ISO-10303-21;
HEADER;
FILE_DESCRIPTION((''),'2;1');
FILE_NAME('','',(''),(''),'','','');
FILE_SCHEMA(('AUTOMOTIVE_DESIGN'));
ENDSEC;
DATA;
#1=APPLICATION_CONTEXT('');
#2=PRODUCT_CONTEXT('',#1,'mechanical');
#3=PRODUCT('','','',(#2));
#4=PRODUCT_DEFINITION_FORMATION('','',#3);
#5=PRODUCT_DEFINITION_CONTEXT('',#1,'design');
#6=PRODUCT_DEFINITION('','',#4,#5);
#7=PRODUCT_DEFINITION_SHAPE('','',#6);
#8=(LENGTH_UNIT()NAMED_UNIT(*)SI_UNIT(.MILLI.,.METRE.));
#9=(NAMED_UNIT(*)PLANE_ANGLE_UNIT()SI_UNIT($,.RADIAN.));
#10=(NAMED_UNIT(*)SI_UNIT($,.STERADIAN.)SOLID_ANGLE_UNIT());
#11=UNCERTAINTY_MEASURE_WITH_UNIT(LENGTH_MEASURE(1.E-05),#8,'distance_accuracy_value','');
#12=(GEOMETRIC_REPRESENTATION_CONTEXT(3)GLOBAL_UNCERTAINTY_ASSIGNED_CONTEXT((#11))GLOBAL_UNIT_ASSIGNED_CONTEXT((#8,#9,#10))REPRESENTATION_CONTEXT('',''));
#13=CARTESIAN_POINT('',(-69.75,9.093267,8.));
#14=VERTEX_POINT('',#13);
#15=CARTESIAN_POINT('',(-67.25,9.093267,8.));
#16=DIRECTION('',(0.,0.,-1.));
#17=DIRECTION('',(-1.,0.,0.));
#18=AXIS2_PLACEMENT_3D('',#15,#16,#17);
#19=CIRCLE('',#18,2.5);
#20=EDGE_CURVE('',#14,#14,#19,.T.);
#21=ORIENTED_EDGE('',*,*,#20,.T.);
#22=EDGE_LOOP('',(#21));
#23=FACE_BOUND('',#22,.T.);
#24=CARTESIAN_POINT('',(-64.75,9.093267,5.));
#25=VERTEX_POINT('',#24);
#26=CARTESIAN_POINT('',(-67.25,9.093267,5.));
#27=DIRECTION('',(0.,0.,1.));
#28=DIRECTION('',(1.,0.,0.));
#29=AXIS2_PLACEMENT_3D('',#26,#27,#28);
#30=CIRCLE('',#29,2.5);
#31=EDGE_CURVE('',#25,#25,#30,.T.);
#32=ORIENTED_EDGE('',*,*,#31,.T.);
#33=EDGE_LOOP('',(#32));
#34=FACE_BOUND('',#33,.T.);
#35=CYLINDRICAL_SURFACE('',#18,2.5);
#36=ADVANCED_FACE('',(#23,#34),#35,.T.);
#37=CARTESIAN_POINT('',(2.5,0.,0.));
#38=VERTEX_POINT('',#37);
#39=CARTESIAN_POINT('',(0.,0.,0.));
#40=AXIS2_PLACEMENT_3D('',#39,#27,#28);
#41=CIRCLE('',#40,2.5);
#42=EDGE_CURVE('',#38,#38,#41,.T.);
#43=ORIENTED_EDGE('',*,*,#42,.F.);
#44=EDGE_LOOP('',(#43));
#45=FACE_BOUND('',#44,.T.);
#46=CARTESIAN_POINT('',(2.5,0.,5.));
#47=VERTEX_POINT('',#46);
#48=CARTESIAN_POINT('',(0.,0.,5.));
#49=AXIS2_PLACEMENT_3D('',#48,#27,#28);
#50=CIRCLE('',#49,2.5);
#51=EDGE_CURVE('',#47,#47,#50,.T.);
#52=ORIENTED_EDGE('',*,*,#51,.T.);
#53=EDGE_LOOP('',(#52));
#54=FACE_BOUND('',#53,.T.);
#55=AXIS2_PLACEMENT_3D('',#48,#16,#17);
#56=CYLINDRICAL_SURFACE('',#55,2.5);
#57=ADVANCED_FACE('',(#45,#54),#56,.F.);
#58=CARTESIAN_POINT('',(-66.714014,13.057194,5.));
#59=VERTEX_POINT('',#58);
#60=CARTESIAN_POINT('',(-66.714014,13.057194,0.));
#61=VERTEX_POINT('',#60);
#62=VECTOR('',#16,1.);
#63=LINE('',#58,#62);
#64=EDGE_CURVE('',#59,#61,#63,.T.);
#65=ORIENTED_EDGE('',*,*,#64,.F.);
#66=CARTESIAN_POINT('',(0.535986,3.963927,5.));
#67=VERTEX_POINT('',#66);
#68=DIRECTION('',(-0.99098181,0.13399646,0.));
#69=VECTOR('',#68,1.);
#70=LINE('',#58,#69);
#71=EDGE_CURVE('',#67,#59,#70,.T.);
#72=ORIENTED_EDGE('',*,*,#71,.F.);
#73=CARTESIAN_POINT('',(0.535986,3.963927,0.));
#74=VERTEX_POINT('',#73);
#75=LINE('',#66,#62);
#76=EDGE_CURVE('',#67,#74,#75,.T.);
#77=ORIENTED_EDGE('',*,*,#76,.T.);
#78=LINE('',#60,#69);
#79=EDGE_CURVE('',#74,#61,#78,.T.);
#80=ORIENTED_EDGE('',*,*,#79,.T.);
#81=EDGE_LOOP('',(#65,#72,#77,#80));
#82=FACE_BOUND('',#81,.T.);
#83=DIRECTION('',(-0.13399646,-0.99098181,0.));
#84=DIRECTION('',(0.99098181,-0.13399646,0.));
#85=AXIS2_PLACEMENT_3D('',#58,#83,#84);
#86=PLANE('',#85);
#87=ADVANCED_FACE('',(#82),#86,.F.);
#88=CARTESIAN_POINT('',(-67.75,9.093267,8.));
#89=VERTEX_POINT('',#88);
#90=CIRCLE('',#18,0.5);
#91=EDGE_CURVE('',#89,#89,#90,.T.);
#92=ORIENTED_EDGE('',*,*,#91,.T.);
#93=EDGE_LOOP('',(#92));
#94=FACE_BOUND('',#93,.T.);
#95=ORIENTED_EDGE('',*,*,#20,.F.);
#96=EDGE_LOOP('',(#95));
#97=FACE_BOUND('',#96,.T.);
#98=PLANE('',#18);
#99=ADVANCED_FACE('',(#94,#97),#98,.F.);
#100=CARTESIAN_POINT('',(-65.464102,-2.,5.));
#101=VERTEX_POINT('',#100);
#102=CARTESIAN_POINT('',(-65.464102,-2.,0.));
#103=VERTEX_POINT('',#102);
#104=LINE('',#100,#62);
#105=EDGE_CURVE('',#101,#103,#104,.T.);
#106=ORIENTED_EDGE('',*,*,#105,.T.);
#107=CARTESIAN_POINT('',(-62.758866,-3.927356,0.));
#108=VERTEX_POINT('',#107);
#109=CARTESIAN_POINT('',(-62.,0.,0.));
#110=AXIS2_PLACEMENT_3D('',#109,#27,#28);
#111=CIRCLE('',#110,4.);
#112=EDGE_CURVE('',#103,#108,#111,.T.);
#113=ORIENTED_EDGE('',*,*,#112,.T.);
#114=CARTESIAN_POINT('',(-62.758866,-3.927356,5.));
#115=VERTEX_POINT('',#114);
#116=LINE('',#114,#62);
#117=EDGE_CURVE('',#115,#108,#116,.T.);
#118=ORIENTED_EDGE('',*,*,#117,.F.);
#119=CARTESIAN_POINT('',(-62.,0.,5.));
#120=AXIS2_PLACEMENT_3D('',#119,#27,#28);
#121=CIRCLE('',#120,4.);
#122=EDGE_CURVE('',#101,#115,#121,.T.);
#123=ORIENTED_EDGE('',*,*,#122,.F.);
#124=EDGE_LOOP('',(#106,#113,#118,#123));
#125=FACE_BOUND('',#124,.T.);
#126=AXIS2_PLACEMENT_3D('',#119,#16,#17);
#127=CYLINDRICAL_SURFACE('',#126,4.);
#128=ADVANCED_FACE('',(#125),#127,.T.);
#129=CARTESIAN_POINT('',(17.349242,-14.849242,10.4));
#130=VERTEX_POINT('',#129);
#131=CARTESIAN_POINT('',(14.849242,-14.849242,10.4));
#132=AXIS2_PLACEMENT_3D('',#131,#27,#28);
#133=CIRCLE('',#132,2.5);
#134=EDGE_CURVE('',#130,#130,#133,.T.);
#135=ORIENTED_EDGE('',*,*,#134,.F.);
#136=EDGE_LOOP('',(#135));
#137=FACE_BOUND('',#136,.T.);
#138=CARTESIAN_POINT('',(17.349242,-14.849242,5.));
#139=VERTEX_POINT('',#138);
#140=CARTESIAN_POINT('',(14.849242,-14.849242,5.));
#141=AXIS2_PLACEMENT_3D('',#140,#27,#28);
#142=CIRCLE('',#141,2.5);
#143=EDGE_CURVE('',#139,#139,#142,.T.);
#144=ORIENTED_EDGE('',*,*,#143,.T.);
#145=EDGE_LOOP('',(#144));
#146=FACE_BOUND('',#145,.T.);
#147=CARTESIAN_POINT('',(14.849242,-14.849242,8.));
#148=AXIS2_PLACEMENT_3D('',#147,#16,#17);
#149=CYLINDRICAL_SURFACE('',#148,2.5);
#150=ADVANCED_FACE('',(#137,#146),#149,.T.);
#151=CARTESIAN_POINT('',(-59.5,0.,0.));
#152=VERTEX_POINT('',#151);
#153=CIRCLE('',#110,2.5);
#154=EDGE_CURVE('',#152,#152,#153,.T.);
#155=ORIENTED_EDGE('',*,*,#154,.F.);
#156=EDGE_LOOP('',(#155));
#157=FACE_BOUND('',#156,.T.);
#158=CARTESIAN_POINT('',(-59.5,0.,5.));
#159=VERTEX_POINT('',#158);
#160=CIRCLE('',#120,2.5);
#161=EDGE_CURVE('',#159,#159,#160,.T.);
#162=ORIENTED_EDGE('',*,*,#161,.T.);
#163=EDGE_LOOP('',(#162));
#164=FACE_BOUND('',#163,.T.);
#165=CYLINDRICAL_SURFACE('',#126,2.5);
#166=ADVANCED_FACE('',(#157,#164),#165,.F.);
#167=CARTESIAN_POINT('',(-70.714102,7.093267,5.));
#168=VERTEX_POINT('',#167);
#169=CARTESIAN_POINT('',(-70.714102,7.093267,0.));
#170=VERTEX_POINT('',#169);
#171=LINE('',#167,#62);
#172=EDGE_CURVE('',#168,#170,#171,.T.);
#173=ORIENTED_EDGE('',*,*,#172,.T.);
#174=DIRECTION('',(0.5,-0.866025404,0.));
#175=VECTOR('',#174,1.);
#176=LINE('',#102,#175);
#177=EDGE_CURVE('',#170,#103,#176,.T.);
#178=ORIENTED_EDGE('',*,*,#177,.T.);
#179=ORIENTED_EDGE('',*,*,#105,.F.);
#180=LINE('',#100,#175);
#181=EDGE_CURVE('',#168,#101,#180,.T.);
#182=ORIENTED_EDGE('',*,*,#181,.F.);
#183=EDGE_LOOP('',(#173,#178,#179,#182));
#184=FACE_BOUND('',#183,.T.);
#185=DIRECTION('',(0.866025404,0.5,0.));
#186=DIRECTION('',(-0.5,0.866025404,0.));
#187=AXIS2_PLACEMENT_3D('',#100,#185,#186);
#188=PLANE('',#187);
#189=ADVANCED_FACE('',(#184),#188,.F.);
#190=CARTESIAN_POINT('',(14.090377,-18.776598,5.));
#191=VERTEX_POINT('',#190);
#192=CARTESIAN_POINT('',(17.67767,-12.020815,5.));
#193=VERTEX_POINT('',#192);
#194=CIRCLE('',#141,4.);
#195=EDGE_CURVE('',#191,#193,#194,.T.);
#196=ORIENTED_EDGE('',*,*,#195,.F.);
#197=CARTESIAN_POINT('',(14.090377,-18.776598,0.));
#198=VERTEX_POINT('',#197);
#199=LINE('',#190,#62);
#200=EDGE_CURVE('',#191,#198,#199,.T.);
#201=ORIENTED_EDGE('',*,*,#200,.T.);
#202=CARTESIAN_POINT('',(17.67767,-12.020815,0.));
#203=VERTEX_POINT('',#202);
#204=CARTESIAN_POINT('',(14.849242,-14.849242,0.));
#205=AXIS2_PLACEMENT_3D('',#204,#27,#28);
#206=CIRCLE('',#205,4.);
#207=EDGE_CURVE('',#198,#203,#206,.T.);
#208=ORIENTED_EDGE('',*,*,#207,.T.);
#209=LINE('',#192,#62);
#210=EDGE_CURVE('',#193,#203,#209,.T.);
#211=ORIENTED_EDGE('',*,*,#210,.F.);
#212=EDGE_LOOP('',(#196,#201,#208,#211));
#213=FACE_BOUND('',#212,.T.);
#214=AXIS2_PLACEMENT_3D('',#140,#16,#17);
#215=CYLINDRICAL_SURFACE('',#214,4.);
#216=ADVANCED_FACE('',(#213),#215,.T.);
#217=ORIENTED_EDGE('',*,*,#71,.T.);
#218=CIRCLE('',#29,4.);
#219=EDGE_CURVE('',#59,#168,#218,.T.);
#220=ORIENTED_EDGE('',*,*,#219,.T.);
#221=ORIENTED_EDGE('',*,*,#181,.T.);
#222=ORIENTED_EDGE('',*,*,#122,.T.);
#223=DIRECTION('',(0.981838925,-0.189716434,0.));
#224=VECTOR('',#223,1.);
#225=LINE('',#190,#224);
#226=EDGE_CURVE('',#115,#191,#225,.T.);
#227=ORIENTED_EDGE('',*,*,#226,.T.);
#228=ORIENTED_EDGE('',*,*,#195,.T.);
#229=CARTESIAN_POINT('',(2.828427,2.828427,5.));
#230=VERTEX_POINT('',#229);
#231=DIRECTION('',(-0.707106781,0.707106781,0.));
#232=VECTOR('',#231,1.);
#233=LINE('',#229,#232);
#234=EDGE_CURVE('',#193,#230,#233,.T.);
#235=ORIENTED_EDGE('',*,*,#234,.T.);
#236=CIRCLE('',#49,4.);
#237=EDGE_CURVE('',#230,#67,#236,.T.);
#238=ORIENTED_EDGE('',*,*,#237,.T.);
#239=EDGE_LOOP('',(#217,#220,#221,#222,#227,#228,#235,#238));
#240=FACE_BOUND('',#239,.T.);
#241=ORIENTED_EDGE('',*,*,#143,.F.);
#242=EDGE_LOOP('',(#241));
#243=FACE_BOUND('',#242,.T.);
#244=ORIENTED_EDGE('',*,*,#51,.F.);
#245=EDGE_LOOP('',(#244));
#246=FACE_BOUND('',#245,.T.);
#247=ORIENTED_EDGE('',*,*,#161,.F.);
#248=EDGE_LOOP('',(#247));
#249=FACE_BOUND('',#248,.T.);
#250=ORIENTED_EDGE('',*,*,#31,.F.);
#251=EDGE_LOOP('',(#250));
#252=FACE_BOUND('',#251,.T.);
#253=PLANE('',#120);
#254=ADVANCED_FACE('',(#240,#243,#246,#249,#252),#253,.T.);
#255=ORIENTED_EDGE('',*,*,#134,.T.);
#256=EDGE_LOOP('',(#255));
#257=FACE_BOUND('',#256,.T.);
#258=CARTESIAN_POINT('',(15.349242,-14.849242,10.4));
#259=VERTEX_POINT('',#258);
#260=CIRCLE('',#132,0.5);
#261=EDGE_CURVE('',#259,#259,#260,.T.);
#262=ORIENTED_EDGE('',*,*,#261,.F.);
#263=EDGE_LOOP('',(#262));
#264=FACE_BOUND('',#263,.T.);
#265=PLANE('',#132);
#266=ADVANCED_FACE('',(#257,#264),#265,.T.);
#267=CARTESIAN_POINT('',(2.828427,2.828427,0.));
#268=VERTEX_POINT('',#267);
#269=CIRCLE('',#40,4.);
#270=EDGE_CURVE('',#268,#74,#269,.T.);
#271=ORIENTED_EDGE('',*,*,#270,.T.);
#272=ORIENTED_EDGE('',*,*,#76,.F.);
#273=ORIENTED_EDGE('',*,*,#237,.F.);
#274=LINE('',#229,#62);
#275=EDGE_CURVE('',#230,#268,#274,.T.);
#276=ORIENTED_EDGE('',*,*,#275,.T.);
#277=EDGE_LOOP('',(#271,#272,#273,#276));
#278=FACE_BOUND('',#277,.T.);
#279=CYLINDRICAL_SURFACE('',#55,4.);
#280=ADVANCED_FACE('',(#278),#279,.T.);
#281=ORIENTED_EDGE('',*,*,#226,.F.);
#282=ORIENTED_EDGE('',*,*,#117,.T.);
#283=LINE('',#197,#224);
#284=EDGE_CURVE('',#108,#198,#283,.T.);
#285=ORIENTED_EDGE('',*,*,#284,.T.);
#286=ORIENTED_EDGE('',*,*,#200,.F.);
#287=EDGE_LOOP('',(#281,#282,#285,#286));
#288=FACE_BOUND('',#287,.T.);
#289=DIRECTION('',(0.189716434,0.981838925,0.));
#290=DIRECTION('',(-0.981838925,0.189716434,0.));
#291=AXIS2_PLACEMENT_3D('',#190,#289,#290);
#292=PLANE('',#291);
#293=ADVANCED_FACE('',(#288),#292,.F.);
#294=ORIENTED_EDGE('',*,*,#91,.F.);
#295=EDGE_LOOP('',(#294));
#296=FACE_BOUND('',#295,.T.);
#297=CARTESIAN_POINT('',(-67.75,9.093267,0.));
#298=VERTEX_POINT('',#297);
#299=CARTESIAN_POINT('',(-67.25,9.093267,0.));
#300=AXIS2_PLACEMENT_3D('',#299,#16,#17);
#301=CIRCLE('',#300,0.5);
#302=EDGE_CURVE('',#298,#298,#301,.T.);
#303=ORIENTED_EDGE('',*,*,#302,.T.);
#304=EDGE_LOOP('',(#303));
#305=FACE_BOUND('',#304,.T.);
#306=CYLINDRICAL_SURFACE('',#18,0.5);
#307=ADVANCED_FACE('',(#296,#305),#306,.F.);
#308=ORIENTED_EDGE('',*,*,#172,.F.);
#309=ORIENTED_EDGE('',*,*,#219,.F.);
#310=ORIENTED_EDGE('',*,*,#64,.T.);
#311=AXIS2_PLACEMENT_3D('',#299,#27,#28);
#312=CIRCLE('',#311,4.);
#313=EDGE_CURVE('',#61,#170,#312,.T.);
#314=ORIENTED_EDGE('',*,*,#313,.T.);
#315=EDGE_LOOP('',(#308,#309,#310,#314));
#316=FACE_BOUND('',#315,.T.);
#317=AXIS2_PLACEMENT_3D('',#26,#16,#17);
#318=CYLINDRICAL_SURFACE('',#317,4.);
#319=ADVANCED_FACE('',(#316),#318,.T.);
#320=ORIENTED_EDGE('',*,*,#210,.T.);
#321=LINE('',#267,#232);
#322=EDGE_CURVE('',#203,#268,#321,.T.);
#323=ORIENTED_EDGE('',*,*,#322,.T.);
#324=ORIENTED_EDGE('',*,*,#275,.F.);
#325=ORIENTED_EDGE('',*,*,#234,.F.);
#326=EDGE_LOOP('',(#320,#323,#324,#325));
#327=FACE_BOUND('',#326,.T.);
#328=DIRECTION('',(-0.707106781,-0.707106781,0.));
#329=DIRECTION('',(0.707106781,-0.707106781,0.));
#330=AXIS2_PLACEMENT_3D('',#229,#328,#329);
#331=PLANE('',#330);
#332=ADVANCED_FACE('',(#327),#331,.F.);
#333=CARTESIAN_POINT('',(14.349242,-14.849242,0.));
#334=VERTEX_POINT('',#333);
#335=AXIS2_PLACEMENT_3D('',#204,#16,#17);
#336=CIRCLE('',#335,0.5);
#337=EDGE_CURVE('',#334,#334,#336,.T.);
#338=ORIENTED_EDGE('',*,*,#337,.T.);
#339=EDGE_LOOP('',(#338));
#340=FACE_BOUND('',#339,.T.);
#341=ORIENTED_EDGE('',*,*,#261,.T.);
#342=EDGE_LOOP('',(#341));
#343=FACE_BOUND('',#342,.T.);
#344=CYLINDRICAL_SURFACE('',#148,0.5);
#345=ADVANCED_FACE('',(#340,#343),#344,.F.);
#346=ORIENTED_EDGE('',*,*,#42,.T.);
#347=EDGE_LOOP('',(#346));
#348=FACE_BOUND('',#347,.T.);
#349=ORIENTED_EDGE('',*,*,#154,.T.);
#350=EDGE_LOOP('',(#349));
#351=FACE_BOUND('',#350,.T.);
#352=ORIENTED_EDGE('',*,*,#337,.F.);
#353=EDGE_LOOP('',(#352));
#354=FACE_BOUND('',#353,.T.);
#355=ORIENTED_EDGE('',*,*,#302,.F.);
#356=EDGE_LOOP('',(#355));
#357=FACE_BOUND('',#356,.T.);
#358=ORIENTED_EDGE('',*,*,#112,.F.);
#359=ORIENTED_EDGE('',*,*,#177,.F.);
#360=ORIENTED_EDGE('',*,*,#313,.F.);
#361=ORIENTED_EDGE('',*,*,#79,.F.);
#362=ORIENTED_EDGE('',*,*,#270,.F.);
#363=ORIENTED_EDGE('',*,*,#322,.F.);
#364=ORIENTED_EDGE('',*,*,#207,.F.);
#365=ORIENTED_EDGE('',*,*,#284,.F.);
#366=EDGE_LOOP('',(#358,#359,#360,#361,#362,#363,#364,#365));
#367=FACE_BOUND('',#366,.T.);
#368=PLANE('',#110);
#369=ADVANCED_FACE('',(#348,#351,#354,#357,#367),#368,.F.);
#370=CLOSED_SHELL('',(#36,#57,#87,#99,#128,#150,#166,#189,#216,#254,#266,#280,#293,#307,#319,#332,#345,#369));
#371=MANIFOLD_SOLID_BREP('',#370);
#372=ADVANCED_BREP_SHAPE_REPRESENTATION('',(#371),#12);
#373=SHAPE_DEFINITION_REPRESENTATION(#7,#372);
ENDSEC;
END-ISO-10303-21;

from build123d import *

# Parameters (mm, degrees)
SKETCH2_R           = 2.5
BOSS_EXTRUDE1_DEPTH = 5
SKETCH4_R           = 2.5
SKETCH4_R_2         = 0.5
BOSS_EXTRUDE3_DEPTH = 8
SKETCH5_R           = 2.5
SKETCH5_R_2         = 0.5
BOSS_EXTRUDE4_DEPTH = 2.4


with BuildPart() as part:
    # Sketch2 → Boss-Extrude1 (new body)
    with BuildSketch(Plane.XY):
        with BuildLine():
            Line((-66.71401416, 13.057193982), (0.53598584, 3.963927242))
            ThreePointArc((0.53598584, 3.963927242), (1.775431998, 3.584388542), (2.828427125, 2.828427125))
            Line((2.828427125, 2.828427125), (17.67766953, -12.02081528))
            ThreePointArc((17.67766953, -12.02081528), (18.382077171, -16.725163117), (14.09037667, -18.776598105))
            Line((14.09037667, -18.776598105), (-62.758865735, -3.9273557))
            ThreePointArc((-62.758865735, -3.9273557), (-64.32099942, -3.257754087), (-65.464101615, -2))
            Line((-65.464101615, -2), (-70.714101615, 7.09326674))
            ThreePointArc((-70.714101615, 7.09326674), (-70.571983223, 11.321366258), (-66.71401416, 13.057193982))
        make_face()
        with Locations((-62, 0)):
            Circle(SKETCH2_R, mode=Mode.SUBTRACT)
        with Locations((-67.25, 9.09326674)):
            Circle(SKETCH2_R, mode=Mode.SUBTRACT)
        Circle(SKETCH2_R, mode=Mode.SUBTRACT)
        with Locations((14.849242405, -14.849242405)):
            Circle(SKETCH2_R, mode=Mode.SUBTRACT)
    extrude(amount=BOSS_EXTRUDE1_DEPTH)

    # Sketch4 → Boss-Extrude3 (add)
    # profile 1 of 2: a face of its own
    with BuildSketch(Plane(origin=(0, 0, 0), x_dir=(-1, 0, 0), z_dir=(0, 0, -1))):
        with Locations((67.25, 9.09326674)):
            Circle(SKETCH4_R)
        with Locations((67.25, 9.09326674)):
            Circle(SKETCH4_R_2, mode=Mode.SUBTRACT)
    # profile 2 of 2: a face of its own
    with BuildSketch(Plane(origin=(0, 0, 0), x_dir=(-1, 0, 0), z_dir=(0, 0, -1))):
        with Locations((-14.849242405, -14.849242405)):
            Circle(SKETCH4_R)
        with Locations((-14.849242405, -14.849242405)):
            Circle(SKETCH4_R_2, mode=Mode.SUBTRACT)
    extrude(amount=-BOSS_EXTRUDE3_DEPTH)

    # Sketch5 → Boss-Extrude4 (add)
    with BuildSketch(Plane.XY.offset(8)):
        with Locations((14.849242405, -14.849242405)):
            Circle(SKETCH5_R)
        with Locations(Location((14.849242405, -14.849242405, 0), (0, 0, 180))):
            Circle(SKETCH5_R_2, mode=Mode.SUBTRACT)
    extrude(amount=BOSS_EXTRUDE4_DEPTH)


solid = part.part
